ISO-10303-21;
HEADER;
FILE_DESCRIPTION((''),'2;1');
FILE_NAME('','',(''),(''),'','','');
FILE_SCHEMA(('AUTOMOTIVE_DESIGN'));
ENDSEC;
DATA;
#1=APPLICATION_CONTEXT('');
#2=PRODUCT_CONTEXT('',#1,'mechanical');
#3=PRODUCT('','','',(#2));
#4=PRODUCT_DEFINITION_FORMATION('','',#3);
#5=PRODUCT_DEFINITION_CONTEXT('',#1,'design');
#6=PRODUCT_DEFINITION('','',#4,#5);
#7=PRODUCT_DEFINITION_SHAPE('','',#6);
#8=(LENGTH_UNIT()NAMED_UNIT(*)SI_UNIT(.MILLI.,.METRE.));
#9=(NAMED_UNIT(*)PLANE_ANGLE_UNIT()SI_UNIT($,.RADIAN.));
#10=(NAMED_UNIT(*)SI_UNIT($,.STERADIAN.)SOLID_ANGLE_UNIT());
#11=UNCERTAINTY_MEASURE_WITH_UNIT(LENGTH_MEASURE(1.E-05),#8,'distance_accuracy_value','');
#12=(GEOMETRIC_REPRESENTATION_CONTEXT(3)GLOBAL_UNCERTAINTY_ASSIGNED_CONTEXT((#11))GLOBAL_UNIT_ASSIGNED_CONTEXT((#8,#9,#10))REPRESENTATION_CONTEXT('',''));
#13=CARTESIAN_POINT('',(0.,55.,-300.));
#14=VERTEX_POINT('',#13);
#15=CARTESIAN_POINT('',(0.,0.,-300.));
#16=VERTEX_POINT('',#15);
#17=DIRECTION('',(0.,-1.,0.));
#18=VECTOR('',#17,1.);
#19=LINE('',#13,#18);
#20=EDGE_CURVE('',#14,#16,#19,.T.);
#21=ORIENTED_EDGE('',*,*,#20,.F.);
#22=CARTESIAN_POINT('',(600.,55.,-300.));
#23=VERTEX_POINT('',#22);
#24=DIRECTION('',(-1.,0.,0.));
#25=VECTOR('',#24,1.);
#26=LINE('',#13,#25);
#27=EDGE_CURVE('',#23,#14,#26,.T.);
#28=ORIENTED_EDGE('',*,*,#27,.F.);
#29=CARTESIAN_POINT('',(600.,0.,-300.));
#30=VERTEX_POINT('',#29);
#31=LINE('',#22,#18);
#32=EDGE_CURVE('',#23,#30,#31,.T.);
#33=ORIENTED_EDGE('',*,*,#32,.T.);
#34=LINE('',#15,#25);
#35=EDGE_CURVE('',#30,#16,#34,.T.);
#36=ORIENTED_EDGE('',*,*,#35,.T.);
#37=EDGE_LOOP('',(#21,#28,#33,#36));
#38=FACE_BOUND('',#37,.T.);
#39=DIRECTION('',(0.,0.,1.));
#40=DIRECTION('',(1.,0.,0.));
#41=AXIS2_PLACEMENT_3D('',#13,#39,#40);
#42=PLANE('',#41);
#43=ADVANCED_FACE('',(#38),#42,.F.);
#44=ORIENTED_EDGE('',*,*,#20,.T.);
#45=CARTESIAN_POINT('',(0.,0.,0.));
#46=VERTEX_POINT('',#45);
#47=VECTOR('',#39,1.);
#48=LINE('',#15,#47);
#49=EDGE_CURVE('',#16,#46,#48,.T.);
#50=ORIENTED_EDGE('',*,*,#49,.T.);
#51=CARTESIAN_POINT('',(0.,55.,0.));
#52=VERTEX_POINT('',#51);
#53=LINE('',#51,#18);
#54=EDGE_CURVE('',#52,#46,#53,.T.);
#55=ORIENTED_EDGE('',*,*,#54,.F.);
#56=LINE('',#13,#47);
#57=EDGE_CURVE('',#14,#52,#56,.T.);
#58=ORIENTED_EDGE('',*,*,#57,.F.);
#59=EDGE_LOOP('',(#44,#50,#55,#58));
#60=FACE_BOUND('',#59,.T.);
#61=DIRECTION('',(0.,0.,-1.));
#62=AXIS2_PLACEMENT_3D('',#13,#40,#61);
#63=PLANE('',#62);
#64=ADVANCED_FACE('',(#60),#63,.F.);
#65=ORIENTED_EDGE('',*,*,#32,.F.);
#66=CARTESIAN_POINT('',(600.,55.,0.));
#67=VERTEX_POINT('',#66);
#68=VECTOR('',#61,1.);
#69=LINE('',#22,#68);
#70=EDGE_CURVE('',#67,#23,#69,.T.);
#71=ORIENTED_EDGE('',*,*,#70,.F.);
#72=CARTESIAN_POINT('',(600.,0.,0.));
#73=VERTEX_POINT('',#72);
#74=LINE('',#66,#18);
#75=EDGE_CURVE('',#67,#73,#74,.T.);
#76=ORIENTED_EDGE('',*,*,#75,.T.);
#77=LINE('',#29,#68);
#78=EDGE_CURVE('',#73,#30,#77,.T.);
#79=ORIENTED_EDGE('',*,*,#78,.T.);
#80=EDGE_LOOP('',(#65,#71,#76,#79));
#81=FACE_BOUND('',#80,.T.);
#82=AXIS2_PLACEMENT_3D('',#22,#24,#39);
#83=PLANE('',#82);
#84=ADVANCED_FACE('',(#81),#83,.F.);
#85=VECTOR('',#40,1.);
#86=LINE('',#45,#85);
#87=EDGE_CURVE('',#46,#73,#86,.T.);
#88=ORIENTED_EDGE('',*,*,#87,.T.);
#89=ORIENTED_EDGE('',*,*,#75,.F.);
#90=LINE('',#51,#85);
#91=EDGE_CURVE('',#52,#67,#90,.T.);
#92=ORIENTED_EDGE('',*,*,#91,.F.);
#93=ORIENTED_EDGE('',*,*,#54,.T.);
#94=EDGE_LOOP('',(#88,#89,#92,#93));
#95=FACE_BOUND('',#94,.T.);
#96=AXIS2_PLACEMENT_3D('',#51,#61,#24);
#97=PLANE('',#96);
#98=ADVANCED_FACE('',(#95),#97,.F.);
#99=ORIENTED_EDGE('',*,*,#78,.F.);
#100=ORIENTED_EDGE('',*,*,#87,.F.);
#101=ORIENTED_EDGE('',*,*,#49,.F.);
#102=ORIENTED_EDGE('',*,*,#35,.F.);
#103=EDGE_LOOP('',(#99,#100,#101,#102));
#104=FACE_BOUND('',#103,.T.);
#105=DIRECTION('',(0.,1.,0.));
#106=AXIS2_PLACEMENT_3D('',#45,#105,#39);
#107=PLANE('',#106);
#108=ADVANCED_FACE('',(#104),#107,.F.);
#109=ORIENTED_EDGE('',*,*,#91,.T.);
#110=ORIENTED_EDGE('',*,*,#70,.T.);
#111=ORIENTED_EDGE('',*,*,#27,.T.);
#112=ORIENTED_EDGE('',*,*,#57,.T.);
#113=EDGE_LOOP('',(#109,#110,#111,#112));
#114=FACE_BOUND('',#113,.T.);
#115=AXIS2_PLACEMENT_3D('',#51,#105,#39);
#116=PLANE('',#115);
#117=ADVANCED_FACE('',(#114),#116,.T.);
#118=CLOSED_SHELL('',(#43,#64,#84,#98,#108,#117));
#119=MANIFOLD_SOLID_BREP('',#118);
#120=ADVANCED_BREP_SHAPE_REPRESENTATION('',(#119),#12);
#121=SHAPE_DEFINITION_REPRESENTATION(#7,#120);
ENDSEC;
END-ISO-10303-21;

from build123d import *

# Parameters (mm, degrees)
SKETCH_1_W      = 600
SKETCH_1_H      = 300
EXTRUDE_1_DEPTH = 55


with BuildPart() as part:
    # 草图1 → 凸台-拉伸1 (new body)
    with BuildSketch(Plane(origin=(0, 0, 0), x_dir=(1, 0, 0), z_dir=(0, 1, 0))):
        with Locations((300, 150)):
            Rectangle(SKETCH_1_W, SKETCH_1_H)
    extrude(amount=EXTRUDE_1_DEPTH)


solid = part.part
